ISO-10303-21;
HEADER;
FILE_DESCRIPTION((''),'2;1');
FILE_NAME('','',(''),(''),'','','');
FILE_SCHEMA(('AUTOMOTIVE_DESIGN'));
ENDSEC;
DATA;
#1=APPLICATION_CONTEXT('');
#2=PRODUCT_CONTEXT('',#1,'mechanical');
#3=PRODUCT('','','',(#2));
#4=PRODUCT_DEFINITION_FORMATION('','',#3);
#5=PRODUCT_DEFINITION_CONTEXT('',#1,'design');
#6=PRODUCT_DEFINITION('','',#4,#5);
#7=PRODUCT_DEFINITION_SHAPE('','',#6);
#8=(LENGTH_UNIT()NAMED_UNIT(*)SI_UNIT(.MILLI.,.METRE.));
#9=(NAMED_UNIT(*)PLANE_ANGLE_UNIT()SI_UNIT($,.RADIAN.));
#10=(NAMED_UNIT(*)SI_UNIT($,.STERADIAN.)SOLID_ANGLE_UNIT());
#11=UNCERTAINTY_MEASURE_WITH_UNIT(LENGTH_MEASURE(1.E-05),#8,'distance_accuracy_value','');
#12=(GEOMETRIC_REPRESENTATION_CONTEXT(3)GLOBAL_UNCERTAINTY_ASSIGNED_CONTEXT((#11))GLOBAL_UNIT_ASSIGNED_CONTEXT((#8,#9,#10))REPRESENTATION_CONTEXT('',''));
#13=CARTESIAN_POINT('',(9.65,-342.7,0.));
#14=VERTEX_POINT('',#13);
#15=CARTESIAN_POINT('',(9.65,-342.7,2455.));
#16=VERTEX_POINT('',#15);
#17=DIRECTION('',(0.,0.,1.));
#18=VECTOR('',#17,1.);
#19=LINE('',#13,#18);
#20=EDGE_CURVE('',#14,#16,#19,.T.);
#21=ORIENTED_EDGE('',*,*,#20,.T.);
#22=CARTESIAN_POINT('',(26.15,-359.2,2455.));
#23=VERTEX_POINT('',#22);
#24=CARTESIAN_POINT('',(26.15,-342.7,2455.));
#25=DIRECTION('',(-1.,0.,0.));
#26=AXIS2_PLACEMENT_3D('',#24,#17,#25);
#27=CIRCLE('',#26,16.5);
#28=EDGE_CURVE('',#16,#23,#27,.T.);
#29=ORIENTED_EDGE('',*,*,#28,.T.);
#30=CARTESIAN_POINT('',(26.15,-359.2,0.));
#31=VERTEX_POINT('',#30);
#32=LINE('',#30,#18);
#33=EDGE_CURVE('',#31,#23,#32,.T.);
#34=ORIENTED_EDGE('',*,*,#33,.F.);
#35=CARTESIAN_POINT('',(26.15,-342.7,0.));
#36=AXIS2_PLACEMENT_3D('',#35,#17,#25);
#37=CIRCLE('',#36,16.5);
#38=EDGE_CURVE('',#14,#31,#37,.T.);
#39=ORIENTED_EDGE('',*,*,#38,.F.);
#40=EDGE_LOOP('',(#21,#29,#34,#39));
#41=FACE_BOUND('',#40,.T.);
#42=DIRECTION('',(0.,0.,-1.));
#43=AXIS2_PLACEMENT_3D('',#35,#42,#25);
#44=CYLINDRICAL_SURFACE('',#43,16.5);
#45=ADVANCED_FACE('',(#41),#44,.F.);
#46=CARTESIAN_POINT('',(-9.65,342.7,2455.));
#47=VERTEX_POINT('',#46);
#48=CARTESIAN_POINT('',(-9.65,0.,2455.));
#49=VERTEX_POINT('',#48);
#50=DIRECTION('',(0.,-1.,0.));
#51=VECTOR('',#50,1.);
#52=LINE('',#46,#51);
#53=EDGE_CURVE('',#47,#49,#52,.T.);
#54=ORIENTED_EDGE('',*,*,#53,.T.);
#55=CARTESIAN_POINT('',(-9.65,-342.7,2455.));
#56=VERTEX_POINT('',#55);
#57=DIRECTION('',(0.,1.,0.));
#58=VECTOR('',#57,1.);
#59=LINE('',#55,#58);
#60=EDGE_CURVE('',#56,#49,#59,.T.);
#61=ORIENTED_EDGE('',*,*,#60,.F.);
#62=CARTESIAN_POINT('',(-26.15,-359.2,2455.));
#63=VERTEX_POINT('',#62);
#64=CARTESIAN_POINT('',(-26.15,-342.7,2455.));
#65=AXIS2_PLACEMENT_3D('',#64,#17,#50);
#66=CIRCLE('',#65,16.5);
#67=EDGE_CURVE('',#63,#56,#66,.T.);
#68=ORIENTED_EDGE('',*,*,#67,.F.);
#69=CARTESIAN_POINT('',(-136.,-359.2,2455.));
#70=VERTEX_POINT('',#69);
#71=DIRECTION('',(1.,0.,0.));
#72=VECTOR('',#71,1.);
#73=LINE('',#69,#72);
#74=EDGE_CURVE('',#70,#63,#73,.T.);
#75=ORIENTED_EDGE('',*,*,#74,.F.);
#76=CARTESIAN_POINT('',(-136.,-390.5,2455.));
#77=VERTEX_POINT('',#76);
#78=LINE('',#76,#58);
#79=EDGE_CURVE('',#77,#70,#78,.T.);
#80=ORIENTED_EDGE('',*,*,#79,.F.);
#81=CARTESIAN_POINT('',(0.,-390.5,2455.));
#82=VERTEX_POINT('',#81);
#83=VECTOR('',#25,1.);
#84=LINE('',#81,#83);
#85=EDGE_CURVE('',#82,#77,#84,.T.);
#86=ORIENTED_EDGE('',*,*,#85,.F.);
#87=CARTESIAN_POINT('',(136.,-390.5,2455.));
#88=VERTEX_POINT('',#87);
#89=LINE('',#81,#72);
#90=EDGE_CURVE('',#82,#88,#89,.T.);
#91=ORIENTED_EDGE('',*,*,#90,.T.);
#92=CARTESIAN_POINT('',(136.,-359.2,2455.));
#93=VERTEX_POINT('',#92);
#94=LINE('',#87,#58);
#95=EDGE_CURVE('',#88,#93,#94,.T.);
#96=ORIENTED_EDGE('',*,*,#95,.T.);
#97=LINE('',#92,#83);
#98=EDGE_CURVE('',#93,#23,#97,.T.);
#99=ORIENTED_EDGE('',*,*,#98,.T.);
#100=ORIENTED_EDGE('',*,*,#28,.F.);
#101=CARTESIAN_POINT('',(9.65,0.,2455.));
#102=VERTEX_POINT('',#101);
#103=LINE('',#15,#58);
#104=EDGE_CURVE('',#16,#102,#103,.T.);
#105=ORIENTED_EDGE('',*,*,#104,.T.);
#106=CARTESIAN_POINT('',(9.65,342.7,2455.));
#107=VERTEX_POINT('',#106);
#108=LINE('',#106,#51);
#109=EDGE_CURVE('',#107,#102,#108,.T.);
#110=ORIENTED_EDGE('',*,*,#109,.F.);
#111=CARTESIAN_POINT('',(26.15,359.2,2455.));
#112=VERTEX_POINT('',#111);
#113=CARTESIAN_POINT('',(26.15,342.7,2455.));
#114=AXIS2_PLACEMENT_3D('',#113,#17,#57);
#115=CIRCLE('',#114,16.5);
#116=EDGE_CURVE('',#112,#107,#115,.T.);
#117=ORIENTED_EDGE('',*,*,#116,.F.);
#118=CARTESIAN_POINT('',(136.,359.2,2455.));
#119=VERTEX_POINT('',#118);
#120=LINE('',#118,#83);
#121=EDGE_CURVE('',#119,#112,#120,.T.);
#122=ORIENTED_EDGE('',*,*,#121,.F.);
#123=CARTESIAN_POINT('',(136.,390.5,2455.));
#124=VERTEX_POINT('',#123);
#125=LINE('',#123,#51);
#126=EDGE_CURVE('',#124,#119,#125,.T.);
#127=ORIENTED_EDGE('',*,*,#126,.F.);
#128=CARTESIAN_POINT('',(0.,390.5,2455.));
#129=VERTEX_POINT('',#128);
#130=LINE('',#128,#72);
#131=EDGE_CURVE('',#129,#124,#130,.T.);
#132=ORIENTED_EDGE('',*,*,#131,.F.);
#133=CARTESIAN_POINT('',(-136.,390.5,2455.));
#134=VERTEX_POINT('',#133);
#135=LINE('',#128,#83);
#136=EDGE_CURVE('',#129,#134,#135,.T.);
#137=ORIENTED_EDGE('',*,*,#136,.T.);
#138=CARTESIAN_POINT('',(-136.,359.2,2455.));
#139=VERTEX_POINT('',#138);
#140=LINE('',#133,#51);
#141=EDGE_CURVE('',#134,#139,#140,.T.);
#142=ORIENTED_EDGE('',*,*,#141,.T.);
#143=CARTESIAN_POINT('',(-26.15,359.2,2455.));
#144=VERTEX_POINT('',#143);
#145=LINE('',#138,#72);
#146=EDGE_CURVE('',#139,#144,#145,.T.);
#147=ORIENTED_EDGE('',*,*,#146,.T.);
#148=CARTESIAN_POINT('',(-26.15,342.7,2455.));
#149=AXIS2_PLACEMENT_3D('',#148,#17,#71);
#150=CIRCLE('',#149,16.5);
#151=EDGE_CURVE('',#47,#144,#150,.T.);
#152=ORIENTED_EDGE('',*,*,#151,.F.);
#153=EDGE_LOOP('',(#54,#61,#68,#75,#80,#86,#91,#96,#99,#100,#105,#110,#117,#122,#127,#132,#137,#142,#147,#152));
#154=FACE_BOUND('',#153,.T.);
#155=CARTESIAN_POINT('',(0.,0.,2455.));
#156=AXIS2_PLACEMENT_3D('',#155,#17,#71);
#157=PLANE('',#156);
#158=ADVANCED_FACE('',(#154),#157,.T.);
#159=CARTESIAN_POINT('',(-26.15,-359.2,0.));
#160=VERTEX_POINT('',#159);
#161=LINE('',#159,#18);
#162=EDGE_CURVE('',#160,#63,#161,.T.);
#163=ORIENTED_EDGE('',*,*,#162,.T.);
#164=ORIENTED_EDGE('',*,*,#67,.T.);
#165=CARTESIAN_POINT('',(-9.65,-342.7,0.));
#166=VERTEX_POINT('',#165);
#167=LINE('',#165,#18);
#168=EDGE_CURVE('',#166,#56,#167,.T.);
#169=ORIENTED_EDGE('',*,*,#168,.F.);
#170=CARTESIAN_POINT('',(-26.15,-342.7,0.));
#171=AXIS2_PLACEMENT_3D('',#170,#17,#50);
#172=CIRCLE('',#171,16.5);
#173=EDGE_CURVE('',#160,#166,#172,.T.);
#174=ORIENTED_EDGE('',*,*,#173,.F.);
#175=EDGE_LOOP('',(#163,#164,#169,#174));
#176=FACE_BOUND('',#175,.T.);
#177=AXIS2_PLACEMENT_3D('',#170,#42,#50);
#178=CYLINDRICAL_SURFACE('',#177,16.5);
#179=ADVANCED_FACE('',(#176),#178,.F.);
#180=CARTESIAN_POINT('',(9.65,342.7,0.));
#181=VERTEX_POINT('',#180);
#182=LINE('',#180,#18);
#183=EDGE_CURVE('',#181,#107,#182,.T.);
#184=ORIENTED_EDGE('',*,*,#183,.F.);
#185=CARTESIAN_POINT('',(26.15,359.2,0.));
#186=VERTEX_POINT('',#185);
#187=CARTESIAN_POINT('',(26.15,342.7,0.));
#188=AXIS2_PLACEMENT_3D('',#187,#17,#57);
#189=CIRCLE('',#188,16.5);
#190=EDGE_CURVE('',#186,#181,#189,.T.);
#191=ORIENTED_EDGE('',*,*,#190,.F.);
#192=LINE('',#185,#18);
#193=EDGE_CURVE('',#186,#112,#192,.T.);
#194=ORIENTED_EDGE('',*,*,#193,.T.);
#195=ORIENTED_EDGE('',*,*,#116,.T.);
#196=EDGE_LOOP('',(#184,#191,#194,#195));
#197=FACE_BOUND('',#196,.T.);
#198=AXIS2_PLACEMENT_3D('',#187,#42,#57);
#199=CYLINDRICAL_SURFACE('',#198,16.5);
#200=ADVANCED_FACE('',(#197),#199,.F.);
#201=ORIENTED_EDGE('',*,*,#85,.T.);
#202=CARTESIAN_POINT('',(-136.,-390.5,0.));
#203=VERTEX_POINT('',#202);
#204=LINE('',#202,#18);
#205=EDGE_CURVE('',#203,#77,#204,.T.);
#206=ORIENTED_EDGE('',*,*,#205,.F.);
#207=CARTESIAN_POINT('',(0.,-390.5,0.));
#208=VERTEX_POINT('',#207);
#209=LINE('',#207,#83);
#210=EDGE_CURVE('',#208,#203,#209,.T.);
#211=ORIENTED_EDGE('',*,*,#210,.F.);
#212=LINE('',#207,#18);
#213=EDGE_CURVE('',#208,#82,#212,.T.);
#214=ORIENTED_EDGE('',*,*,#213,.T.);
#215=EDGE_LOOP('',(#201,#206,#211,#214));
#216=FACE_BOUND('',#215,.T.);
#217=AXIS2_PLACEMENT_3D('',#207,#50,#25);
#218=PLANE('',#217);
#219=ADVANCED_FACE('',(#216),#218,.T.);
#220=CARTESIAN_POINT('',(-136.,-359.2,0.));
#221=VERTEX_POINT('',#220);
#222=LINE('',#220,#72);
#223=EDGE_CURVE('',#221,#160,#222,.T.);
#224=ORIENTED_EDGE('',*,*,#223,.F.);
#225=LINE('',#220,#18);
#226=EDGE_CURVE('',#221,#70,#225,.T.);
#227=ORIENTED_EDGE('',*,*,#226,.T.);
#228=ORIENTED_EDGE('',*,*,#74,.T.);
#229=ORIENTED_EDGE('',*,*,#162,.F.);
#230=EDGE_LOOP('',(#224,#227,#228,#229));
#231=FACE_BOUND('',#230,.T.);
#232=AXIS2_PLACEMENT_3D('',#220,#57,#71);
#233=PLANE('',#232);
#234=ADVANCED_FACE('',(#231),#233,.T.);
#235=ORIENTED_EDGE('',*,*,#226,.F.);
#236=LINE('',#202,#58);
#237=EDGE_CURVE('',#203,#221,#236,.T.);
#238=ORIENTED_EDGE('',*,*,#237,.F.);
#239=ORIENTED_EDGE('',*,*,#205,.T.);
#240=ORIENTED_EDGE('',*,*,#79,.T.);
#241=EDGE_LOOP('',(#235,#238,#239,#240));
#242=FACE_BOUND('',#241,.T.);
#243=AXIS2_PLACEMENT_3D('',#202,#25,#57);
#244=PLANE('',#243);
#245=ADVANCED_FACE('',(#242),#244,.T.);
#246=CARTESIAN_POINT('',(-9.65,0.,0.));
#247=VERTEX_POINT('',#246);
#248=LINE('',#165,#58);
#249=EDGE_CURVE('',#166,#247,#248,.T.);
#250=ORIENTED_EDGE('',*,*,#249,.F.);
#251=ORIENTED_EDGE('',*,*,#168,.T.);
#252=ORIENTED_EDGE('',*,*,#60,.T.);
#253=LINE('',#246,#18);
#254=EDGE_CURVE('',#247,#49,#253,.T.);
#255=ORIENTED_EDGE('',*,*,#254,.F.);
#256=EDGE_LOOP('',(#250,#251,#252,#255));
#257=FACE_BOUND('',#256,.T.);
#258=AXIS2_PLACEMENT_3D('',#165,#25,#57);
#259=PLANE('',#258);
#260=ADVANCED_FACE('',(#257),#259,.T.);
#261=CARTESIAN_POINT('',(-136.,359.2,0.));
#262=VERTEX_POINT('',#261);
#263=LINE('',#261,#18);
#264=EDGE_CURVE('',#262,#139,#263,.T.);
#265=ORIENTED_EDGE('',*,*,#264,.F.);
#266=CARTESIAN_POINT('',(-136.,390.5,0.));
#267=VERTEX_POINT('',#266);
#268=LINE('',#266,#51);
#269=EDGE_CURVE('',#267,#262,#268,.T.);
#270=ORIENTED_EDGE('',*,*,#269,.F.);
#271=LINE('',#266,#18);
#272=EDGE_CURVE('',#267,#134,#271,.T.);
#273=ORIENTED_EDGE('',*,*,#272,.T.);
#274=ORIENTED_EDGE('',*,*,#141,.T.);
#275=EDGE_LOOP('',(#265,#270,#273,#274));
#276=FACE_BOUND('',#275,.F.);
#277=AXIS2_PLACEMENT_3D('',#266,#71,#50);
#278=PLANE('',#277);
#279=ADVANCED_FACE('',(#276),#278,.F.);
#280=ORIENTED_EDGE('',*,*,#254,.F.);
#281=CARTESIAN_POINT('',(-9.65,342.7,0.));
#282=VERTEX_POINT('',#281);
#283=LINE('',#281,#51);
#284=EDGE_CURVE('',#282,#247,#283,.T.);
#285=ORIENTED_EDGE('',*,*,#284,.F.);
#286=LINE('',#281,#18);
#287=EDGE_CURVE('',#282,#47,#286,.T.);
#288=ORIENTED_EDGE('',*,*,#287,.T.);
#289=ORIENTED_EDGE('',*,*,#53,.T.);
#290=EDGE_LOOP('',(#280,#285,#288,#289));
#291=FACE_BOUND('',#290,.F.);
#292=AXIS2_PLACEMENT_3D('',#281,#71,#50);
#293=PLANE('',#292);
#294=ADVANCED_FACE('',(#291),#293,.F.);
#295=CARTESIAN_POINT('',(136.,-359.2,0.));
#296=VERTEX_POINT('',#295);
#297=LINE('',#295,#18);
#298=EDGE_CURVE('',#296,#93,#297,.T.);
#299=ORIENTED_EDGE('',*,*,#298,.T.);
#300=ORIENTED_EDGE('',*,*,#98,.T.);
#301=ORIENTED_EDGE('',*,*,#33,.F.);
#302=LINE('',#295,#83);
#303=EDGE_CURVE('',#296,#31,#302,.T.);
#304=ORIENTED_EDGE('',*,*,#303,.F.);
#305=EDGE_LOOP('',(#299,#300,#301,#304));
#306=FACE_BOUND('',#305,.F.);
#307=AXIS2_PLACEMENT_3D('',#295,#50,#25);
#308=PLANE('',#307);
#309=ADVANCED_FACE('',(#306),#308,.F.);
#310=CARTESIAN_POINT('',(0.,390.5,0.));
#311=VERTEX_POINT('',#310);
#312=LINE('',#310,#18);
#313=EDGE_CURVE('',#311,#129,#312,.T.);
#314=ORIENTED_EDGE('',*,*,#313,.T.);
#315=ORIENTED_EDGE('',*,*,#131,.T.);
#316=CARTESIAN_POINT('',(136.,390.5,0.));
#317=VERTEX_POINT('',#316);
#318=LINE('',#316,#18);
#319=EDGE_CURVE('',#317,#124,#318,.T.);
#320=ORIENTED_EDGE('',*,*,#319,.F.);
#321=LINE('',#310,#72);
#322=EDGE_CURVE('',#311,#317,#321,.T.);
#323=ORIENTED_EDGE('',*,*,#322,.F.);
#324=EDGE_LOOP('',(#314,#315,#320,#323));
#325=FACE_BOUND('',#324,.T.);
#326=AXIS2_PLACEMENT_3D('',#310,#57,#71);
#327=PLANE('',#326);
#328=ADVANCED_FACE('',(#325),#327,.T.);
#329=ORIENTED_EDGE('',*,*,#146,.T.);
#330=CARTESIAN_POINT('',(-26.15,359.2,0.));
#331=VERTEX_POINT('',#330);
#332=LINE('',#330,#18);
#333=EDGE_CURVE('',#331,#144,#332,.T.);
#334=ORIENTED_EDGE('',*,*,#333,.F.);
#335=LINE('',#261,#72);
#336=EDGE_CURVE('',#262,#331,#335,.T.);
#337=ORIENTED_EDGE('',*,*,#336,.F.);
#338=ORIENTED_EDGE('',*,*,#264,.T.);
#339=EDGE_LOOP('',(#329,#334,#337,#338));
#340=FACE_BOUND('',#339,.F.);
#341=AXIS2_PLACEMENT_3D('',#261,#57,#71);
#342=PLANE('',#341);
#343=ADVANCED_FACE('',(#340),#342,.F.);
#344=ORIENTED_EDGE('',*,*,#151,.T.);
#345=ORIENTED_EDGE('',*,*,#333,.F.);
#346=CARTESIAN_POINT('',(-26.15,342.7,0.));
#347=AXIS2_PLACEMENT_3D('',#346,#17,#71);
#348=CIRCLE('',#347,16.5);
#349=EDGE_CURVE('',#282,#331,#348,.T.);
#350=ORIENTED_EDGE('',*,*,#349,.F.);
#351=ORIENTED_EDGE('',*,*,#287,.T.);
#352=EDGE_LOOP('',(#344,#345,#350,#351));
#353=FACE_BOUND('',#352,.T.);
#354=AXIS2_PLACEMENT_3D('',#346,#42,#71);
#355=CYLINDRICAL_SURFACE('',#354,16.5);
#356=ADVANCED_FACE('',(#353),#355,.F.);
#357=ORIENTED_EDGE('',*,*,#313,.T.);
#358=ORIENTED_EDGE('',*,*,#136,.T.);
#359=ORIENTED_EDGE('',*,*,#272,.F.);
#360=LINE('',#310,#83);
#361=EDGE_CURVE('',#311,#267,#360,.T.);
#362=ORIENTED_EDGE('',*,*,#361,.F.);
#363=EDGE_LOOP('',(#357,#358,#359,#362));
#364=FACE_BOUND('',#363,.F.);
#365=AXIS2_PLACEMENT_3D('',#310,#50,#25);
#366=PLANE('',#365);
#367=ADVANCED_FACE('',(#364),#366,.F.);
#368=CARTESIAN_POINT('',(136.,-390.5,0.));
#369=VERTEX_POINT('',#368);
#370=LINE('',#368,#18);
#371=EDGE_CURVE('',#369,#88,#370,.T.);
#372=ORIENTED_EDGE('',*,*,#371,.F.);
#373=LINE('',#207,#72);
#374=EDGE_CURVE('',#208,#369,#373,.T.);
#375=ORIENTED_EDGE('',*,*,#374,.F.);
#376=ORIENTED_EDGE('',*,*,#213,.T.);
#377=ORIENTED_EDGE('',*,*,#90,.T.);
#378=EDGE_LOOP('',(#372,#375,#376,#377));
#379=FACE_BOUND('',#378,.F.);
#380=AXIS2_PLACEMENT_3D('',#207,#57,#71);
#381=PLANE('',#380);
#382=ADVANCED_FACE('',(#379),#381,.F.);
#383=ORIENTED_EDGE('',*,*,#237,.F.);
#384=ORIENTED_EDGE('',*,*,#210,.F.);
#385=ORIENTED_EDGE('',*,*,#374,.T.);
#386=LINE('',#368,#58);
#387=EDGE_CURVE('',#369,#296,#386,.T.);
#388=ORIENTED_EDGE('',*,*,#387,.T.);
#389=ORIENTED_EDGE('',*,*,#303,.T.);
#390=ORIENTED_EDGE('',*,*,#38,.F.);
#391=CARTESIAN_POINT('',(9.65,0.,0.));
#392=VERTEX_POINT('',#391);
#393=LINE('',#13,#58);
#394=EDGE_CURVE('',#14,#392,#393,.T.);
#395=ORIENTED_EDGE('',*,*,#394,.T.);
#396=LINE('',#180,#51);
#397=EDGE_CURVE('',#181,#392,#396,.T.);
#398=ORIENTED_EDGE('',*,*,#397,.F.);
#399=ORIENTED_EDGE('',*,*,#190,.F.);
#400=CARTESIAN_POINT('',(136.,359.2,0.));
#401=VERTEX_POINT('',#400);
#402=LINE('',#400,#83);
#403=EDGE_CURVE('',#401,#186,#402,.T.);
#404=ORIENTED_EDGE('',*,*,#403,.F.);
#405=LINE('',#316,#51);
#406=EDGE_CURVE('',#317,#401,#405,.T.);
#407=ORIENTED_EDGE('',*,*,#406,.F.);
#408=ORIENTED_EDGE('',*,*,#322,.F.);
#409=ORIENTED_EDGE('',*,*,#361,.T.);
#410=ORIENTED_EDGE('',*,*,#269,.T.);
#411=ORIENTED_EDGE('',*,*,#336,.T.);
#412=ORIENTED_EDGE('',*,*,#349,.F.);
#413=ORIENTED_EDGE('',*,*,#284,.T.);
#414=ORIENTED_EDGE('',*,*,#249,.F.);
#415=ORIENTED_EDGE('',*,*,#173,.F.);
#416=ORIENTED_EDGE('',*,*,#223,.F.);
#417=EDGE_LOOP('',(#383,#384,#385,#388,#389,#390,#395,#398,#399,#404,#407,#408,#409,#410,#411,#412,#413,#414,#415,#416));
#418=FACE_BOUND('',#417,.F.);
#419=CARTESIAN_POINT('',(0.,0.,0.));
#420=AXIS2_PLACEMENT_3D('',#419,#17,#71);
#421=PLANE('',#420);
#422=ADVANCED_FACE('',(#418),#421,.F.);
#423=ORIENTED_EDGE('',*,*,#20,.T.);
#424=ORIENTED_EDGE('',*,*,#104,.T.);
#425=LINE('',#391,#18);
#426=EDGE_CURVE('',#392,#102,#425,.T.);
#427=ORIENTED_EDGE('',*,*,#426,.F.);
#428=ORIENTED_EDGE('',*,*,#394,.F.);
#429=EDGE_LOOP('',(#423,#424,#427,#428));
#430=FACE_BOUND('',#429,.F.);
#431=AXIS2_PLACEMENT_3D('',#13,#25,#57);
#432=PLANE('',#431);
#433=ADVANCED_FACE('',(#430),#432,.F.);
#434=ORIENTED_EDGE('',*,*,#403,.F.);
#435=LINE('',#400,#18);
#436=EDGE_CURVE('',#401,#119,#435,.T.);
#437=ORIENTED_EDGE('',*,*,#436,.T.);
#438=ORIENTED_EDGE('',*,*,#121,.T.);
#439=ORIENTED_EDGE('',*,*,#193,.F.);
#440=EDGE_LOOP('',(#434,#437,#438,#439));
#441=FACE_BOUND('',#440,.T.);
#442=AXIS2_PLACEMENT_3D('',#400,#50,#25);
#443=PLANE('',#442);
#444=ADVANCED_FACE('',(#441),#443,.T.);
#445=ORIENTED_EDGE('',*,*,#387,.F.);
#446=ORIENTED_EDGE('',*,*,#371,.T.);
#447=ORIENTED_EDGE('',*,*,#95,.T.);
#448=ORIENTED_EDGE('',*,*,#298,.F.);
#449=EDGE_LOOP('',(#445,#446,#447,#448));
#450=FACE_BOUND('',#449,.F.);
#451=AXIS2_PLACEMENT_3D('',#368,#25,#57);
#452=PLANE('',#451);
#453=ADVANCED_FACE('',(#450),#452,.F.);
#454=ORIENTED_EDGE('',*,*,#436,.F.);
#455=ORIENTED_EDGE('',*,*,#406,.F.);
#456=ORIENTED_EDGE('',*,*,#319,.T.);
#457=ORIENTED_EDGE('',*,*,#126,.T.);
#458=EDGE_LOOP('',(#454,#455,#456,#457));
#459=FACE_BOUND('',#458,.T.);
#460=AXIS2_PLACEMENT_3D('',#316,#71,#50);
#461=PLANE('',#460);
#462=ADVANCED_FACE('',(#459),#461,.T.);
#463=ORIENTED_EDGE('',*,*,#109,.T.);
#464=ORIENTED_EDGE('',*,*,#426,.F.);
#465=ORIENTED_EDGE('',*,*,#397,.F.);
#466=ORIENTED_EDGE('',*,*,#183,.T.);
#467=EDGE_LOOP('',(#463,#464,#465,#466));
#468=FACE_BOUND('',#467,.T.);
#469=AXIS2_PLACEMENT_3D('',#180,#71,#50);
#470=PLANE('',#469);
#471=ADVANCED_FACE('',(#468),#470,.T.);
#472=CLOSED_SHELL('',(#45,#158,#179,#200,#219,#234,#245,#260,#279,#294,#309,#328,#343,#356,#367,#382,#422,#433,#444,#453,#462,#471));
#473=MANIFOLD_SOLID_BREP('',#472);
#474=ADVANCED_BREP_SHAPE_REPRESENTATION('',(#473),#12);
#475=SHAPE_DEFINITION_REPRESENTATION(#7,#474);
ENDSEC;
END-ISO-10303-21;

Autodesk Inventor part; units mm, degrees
ref_plane "YZ Plane" through (0, 0, 0) normal (1, 0, 0) x (0, 1, 0)
ref_plane "Start plane" through (0, 0, 0) normal (0, 0, 1) x (1, 0, 0)
ref_plane "End plane" through (0, 0, 2455) normal (0, 0, 1) x (1, 0, 0)
sketch "Sketch" plane through (0, 0, 0) normal (0, 0, 1) x (1, 0, 0)
  line L0 (-136, -390.5) -> (-136, -359.2)
  line L1 (-136, -359.2) -> (-26.15, -359.2)
  line L2 (-9.65, -342.7) -> (-9.65, 0)
  line L3 (-9.65, 0) -> (0, 0) construction
  line L4 (0, 0) -> (0, -390.5) construction
  line L5 (0, -390.5) -> (-136, -390.5)
  line L6 (-60, 0) -> (80, 0) construction
  line L7 (0, -60) -> (0, 80) construction
  line L8 (136, -390.5) -> (136, -359.2)
  line L9 (136, -359.2) -> (26.15, -359.2)
  line L10 (9.65, -342.7) -> (9.65, 0)
  line L11 (9.65, 0) -> (0, 0) construction
  line L12 (0, -390.5) -> (136, -390.5)
  line L13 (-136, 390.5) -> (-136, 359.2)
  line L14 (-136, 359.2) -> (-26.15, 359.2)
  line L15 (-9.65, 342.7) -> (-9.65, 0)
  line L16 (0, 390.5) -> (-136, 390.5)
  line L17 (136, 390.5) -> (136, 359.2)
  line L18 (136, 359.2) -> (26.15, 359.2)
  line L19 (0, 390.5) -> (136, 390.5)
  line L20 (9.65, 342.7) -> (9.65, 0)
  arc A0 (-9.65, 342.7) -> (-26.15, 359.2) centre (-26.15, 342.7) ccw
  arc A1 (26.15, 359.2) -> (9.65, 342.7) centre (26.15, 342.7) ccw
  arc A2 (9.65, -342.7) -> (26.15, -359.2) centre (26.15, -342.7) ccw
  arc A3 (-26.15, -359.2) -> (-9.65, -342.7) centre (-26.15, -342.7) ccw
  line L21 (0, 108) -> (0, -88) construction
  line L22 (-88, 0) -> (108, 0) construction
  point P0 (-9.65, -359.2)
  point P1 (9.65, -359.2)
  point P2 (-9.65, 359.2)
  point P3 (9.65, 359.2)
  dimension "d1" = 390.5
  dimension "d2" = 31.3
  dimension "d3" = 136
  dimension "d4" = 9.65
  dimension "d10" = 16.5
extrude "Body" add sketch "Sketch" along normal up to surface (2455 mm away) from surface at 0
sketch "Sketch4" plane through (0, 0, 0) normal (0, 0, 1) x (1, 0, 0)
  line L0 (0, 0) -> (10, 0)
ref_plane "Work Plane3" through (0, 0, 0) normal (0, -1, 0) x (1, 0, 0)
sketch "Sketch5" plane through (0, 0, 0) normal (0, -1, 0) x (1, 0, 0)
  line L0 (-2, 0) -> (12, 0) projected
  line L1 (-2, 2455) -> (12, 2455) projected
  dimension "d14" = 2455
equation "\"d1\" = 0.5 * G_H"
equation "\"d2\" = G_T1"
equation "\"d3\" = 0.5 * G_W"
equation "\"d4\" = 0.5 * G_T"
equation "\"d10\" = G_IR"
equation "\"d5\" = G_L"
equation "\"G_W\" = 272"
equation "\"G_H\" = 781"
equation "\"G_T\" = 19.3"
equation "\"G_T1\" = 31.3"
equation "\"G_IR\" = 16.5"
equation "\"G_L\" = d14"
equation "\"G_OFFSET_START\" = 0"
equation "\"G_OFFSET_END\" = 0"
equation "\"d12\" = G_OFFSET_END + B_L"
equation "\"B_L\" = 2455"
properties part number "AS 3679-1990 - 760 UB - 244 - 2455" material "Steel, Mild"
